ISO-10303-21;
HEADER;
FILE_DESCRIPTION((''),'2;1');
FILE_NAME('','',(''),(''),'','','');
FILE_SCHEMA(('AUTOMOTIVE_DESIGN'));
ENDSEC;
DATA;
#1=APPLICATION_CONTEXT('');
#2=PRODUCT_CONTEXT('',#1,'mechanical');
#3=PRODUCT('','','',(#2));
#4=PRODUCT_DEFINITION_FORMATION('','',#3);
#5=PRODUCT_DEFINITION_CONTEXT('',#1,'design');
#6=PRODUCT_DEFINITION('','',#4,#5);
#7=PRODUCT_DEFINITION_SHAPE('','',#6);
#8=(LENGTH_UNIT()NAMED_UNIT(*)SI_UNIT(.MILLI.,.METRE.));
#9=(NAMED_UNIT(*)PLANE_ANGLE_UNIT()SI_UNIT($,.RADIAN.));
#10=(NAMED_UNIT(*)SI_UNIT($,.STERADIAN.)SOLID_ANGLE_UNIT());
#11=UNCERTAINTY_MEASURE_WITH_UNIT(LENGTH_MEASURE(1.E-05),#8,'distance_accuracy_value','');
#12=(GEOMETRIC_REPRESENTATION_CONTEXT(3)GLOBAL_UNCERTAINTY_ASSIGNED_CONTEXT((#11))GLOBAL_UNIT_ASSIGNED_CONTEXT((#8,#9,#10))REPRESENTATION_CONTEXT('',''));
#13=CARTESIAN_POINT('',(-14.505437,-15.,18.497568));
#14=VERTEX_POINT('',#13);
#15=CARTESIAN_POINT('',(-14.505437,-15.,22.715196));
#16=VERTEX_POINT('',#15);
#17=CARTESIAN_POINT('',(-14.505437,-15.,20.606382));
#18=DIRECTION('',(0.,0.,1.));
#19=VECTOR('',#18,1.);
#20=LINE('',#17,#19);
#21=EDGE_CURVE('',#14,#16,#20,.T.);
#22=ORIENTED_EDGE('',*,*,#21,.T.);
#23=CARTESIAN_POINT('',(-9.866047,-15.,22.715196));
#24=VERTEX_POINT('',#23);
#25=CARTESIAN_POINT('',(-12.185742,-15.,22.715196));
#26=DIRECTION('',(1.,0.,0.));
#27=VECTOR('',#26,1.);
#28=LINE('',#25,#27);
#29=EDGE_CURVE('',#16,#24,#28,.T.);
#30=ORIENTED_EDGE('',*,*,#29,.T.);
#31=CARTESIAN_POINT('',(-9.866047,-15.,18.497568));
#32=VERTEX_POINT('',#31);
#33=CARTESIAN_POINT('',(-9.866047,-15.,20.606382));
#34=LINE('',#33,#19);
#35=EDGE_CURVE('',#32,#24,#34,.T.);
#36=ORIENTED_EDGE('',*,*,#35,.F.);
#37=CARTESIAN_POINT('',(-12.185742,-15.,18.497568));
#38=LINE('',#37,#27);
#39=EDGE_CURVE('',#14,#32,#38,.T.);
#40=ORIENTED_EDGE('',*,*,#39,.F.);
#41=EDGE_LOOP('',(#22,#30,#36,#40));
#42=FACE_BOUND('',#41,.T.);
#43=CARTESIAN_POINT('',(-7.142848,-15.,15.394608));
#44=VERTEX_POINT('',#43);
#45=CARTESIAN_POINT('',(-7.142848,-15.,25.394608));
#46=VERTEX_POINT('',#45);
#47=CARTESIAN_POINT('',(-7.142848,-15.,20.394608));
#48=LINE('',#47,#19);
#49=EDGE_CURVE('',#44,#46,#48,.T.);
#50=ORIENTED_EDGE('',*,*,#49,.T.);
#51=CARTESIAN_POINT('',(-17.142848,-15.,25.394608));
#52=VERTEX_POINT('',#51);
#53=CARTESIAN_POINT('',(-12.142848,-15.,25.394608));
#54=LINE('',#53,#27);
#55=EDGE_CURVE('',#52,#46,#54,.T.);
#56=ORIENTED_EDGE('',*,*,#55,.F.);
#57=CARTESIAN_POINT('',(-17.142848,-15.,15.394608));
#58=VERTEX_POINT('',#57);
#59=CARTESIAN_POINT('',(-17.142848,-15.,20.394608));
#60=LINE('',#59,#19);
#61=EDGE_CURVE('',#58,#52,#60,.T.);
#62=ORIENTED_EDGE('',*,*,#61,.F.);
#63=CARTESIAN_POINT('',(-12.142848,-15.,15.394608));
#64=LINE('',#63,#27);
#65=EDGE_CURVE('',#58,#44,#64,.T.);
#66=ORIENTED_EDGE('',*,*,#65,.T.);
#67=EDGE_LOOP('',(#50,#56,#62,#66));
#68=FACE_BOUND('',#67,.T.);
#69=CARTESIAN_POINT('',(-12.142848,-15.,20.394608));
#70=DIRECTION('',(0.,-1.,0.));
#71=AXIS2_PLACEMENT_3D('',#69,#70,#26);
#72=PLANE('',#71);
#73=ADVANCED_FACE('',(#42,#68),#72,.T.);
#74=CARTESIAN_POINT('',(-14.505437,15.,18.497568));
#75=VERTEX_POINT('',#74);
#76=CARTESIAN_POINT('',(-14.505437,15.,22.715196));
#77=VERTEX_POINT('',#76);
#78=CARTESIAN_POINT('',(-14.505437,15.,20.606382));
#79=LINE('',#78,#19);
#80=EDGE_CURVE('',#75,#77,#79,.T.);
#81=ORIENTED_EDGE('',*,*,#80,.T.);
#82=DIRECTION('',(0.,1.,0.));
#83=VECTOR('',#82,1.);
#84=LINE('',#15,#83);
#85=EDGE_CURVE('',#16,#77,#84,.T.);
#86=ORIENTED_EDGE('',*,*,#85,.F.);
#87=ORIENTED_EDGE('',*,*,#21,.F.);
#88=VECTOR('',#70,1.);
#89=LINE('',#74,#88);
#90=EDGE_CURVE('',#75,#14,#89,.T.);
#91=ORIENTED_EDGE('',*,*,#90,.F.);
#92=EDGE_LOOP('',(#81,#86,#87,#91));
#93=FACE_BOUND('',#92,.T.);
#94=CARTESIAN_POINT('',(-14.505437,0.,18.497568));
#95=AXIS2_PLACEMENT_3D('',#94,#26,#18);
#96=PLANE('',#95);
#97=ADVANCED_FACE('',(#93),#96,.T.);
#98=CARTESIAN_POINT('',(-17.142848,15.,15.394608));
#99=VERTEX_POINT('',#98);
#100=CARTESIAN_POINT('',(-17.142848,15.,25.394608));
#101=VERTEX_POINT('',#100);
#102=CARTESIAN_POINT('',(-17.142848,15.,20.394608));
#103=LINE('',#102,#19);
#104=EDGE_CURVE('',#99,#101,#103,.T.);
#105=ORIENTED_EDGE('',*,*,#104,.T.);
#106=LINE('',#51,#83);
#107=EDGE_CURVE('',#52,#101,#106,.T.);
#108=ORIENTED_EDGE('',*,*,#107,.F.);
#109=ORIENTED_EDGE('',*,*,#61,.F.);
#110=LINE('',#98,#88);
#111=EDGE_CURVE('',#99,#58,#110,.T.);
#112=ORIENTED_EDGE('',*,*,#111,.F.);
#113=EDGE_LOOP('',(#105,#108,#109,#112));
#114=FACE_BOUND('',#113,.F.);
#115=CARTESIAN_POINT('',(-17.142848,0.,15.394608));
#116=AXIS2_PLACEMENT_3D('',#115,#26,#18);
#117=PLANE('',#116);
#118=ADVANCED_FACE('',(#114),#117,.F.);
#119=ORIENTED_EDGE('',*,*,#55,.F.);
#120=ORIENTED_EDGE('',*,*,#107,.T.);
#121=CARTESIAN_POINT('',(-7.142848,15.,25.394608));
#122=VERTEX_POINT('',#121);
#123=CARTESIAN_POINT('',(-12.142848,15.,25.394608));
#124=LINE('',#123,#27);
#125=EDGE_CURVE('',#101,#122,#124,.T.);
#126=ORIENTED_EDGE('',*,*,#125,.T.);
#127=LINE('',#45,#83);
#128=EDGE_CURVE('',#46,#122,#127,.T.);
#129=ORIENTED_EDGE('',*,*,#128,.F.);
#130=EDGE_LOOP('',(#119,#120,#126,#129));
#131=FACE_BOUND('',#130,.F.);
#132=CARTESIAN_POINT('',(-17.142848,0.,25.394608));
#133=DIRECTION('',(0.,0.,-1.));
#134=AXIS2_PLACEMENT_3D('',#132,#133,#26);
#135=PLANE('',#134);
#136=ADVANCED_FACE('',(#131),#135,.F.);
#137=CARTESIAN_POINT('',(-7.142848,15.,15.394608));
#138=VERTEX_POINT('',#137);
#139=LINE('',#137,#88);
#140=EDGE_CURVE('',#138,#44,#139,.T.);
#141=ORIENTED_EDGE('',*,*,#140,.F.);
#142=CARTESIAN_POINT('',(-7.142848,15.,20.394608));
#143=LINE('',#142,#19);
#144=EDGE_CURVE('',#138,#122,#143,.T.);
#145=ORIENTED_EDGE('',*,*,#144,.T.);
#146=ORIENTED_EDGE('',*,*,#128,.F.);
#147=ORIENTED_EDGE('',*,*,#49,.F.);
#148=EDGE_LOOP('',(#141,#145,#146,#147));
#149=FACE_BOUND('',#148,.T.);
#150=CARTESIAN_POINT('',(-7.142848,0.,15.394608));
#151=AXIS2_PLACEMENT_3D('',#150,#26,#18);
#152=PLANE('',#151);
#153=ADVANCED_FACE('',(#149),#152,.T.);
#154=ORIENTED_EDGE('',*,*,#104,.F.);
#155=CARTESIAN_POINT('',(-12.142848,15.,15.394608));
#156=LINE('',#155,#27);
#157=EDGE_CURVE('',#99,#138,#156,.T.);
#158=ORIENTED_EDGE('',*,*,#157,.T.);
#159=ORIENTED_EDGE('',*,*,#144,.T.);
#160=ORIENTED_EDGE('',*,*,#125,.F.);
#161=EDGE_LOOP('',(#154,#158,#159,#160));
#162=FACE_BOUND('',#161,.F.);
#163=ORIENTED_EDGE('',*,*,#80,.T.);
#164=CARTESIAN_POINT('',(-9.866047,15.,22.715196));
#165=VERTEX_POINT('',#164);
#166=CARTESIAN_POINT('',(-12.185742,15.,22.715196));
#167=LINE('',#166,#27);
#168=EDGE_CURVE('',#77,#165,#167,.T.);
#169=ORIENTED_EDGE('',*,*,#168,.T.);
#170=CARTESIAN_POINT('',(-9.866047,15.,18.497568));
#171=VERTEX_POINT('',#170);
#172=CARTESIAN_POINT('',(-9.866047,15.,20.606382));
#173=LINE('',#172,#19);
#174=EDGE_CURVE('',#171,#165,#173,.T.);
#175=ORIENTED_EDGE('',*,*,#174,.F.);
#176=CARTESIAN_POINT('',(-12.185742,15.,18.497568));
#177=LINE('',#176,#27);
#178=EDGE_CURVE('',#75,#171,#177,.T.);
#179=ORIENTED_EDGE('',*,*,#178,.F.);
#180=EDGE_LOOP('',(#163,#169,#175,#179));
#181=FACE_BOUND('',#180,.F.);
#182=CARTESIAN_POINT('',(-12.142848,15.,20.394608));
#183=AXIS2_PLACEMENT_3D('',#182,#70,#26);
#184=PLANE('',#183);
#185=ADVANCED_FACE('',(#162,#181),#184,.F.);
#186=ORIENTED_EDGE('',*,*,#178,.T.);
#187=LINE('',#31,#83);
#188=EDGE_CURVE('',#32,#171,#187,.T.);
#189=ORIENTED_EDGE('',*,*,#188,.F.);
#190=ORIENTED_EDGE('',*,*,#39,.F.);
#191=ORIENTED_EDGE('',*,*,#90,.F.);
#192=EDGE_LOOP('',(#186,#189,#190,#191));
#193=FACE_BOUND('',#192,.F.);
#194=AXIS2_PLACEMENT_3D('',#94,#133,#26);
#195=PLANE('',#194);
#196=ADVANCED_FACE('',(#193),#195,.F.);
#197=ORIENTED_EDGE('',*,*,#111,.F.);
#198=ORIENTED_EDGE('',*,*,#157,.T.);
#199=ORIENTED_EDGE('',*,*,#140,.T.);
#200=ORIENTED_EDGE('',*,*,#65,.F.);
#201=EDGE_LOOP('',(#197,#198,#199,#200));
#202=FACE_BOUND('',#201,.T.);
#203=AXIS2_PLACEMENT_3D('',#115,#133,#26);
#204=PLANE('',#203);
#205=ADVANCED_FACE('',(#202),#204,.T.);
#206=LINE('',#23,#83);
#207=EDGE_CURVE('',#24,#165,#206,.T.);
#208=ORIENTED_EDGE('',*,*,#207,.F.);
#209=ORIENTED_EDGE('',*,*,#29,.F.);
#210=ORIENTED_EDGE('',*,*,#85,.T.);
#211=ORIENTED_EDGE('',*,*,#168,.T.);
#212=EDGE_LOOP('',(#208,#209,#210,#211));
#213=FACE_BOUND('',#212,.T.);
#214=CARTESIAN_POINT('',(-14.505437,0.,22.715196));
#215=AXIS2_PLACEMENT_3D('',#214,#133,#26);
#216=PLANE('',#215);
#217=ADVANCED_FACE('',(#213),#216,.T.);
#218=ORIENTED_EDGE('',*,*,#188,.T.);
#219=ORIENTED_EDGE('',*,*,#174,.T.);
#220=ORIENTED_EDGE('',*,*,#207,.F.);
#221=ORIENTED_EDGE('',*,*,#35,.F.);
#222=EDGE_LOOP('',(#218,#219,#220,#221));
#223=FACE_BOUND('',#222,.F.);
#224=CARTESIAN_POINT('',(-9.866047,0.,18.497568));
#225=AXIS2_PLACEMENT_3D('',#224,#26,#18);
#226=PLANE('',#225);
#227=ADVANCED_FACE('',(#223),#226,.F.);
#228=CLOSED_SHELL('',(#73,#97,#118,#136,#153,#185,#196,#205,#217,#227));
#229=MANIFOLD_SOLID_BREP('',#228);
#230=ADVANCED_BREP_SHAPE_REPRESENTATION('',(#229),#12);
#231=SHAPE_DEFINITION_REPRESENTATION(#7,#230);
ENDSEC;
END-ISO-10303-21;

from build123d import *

# Parameters (mm, degrees)
F0_W     = 10
F0_H     = 10
F0_W_2   = 4.63939
F0_H_2   = 4.217628
F1_DEPTH = 15


with BuildPart() as f1:
    # F0 (on Front) → F1 (new body, symmetric)
    with BuildSketch(Plane.XZ):
        with Locations((-12.142848, 20.394608)):
            Rectangle(F0_W, F0_H)
        with Locations((-12.185742, 20.606382)):
            Rectangle(F0_W_2, F0_H_2, mode=Mode.SUBTRACT)
    extrude(amount=F1_DEPTH, both=True)


solid = f1.part
